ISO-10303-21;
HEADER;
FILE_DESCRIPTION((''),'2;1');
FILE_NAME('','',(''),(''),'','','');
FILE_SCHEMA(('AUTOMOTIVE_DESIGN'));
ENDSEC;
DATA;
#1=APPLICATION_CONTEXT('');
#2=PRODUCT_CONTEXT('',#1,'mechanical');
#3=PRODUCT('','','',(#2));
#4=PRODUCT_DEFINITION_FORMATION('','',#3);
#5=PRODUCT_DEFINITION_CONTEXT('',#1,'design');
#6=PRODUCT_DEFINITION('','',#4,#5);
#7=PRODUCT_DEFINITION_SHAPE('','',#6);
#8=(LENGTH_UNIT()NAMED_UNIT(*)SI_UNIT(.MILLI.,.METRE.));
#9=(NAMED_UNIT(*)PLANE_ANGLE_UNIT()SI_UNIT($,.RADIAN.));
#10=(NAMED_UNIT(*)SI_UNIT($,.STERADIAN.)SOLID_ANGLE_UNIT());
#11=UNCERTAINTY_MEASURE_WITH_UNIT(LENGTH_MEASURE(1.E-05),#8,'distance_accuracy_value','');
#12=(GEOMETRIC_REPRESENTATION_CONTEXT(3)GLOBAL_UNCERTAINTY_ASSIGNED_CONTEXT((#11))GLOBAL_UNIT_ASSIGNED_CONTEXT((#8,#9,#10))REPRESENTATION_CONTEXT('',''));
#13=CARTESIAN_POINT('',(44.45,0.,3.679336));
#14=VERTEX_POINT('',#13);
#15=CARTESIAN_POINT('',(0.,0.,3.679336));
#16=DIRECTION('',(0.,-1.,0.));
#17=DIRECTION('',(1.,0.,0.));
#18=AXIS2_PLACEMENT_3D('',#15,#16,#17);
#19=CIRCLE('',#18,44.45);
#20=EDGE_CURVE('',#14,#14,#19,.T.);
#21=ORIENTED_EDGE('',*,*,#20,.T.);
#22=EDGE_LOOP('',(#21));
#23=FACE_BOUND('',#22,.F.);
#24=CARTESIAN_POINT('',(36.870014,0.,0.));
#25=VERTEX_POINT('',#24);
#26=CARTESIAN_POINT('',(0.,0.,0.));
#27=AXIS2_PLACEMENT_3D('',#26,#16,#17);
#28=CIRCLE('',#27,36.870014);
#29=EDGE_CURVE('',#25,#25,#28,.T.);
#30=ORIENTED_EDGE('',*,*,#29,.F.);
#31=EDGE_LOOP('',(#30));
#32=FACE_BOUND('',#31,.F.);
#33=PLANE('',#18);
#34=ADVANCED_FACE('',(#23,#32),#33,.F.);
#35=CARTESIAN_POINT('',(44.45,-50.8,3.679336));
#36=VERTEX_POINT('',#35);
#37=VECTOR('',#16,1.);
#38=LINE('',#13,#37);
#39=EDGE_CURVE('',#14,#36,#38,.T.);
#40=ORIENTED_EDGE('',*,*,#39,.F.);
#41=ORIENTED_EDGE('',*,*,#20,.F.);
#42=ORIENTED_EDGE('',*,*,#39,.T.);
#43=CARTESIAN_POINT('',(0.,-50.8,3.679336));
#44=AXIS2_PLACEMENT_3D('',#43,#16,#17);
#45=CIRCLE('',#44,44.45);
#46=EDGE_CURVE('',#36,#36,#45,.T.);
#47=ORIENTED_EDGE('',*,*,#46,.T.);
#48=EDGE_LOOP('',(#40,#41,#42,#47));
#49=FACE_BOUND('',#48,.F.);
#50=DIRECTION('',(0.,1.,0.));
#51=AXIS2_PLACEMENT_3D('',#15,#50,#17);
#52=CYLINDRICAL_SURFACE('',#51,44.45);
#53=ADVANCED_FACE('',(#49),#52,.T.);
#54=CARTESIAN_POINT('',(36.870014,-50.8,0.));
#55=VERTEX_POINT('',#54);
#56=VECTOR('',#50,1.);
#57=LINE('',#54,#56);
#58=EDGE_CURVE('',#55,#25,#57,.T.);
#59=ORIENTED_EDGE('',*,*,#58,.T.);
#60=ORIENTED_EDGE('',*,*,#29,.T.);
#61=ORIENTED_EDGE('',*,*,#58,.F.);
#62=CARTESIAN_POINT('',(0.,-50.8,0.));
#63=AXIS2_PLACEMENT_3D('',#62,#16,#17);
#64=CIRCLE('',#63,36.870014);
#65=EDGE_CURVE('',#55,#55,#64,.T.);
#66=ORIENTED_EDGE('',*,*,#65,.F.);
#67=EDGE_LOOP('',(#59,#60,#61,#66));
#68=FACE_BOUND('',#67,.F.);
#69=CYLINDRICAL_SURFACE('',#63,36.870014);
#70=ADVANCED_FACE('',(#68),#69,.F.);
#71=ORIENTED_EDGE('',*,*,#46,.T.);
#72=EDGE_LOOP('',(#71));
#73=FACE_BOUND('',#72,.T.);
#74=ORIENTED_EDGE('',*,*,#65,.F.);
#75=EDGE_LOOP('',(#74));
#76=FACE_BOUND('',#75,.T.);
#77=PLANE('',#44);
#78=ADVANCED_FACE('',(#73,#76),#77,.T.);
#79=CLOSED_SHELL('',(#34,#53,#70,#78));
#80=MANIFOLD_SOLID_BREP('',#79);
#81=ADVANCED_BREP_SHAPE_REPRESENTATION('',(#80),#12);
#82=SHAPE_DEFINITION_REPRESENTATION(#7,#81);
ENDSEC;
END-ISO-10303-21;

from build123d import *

# Parameters (mm, degrees)
F0_R       = 44.45
F1_DEPTH   = 50.8
F2_R       = 36.8700137649
F1_FACE1_R = 44.45
F3_DEPTH   = 76.2


with BuildPart() as f1:
    # F0 (on Front) → F1 (new body)
    with BuildSketch(Plane.XZ):
        with Locations((0, 3.6793364112)):
            Circle(F0_R)
    extrude(amount=F1_DEPTH)

    # F2 (on face) + F1_face1 (on face) → F3 (cut)
    with BuildSketch(Plane.XZ.offset(50.8)):
        Circle(F2_R)
    with BuildSketch(Plane(origin=(0, 0, 3.6793364112), x_dir=(1, 0, 0), z_dir=(0, 1, 0))):
        Circle(F1_FACE1_R)
    extrude(amount=-F3_DEPTH, dir=(0, -1, 0), mode=Mode.SUBTRACT)


solid = f1.part
